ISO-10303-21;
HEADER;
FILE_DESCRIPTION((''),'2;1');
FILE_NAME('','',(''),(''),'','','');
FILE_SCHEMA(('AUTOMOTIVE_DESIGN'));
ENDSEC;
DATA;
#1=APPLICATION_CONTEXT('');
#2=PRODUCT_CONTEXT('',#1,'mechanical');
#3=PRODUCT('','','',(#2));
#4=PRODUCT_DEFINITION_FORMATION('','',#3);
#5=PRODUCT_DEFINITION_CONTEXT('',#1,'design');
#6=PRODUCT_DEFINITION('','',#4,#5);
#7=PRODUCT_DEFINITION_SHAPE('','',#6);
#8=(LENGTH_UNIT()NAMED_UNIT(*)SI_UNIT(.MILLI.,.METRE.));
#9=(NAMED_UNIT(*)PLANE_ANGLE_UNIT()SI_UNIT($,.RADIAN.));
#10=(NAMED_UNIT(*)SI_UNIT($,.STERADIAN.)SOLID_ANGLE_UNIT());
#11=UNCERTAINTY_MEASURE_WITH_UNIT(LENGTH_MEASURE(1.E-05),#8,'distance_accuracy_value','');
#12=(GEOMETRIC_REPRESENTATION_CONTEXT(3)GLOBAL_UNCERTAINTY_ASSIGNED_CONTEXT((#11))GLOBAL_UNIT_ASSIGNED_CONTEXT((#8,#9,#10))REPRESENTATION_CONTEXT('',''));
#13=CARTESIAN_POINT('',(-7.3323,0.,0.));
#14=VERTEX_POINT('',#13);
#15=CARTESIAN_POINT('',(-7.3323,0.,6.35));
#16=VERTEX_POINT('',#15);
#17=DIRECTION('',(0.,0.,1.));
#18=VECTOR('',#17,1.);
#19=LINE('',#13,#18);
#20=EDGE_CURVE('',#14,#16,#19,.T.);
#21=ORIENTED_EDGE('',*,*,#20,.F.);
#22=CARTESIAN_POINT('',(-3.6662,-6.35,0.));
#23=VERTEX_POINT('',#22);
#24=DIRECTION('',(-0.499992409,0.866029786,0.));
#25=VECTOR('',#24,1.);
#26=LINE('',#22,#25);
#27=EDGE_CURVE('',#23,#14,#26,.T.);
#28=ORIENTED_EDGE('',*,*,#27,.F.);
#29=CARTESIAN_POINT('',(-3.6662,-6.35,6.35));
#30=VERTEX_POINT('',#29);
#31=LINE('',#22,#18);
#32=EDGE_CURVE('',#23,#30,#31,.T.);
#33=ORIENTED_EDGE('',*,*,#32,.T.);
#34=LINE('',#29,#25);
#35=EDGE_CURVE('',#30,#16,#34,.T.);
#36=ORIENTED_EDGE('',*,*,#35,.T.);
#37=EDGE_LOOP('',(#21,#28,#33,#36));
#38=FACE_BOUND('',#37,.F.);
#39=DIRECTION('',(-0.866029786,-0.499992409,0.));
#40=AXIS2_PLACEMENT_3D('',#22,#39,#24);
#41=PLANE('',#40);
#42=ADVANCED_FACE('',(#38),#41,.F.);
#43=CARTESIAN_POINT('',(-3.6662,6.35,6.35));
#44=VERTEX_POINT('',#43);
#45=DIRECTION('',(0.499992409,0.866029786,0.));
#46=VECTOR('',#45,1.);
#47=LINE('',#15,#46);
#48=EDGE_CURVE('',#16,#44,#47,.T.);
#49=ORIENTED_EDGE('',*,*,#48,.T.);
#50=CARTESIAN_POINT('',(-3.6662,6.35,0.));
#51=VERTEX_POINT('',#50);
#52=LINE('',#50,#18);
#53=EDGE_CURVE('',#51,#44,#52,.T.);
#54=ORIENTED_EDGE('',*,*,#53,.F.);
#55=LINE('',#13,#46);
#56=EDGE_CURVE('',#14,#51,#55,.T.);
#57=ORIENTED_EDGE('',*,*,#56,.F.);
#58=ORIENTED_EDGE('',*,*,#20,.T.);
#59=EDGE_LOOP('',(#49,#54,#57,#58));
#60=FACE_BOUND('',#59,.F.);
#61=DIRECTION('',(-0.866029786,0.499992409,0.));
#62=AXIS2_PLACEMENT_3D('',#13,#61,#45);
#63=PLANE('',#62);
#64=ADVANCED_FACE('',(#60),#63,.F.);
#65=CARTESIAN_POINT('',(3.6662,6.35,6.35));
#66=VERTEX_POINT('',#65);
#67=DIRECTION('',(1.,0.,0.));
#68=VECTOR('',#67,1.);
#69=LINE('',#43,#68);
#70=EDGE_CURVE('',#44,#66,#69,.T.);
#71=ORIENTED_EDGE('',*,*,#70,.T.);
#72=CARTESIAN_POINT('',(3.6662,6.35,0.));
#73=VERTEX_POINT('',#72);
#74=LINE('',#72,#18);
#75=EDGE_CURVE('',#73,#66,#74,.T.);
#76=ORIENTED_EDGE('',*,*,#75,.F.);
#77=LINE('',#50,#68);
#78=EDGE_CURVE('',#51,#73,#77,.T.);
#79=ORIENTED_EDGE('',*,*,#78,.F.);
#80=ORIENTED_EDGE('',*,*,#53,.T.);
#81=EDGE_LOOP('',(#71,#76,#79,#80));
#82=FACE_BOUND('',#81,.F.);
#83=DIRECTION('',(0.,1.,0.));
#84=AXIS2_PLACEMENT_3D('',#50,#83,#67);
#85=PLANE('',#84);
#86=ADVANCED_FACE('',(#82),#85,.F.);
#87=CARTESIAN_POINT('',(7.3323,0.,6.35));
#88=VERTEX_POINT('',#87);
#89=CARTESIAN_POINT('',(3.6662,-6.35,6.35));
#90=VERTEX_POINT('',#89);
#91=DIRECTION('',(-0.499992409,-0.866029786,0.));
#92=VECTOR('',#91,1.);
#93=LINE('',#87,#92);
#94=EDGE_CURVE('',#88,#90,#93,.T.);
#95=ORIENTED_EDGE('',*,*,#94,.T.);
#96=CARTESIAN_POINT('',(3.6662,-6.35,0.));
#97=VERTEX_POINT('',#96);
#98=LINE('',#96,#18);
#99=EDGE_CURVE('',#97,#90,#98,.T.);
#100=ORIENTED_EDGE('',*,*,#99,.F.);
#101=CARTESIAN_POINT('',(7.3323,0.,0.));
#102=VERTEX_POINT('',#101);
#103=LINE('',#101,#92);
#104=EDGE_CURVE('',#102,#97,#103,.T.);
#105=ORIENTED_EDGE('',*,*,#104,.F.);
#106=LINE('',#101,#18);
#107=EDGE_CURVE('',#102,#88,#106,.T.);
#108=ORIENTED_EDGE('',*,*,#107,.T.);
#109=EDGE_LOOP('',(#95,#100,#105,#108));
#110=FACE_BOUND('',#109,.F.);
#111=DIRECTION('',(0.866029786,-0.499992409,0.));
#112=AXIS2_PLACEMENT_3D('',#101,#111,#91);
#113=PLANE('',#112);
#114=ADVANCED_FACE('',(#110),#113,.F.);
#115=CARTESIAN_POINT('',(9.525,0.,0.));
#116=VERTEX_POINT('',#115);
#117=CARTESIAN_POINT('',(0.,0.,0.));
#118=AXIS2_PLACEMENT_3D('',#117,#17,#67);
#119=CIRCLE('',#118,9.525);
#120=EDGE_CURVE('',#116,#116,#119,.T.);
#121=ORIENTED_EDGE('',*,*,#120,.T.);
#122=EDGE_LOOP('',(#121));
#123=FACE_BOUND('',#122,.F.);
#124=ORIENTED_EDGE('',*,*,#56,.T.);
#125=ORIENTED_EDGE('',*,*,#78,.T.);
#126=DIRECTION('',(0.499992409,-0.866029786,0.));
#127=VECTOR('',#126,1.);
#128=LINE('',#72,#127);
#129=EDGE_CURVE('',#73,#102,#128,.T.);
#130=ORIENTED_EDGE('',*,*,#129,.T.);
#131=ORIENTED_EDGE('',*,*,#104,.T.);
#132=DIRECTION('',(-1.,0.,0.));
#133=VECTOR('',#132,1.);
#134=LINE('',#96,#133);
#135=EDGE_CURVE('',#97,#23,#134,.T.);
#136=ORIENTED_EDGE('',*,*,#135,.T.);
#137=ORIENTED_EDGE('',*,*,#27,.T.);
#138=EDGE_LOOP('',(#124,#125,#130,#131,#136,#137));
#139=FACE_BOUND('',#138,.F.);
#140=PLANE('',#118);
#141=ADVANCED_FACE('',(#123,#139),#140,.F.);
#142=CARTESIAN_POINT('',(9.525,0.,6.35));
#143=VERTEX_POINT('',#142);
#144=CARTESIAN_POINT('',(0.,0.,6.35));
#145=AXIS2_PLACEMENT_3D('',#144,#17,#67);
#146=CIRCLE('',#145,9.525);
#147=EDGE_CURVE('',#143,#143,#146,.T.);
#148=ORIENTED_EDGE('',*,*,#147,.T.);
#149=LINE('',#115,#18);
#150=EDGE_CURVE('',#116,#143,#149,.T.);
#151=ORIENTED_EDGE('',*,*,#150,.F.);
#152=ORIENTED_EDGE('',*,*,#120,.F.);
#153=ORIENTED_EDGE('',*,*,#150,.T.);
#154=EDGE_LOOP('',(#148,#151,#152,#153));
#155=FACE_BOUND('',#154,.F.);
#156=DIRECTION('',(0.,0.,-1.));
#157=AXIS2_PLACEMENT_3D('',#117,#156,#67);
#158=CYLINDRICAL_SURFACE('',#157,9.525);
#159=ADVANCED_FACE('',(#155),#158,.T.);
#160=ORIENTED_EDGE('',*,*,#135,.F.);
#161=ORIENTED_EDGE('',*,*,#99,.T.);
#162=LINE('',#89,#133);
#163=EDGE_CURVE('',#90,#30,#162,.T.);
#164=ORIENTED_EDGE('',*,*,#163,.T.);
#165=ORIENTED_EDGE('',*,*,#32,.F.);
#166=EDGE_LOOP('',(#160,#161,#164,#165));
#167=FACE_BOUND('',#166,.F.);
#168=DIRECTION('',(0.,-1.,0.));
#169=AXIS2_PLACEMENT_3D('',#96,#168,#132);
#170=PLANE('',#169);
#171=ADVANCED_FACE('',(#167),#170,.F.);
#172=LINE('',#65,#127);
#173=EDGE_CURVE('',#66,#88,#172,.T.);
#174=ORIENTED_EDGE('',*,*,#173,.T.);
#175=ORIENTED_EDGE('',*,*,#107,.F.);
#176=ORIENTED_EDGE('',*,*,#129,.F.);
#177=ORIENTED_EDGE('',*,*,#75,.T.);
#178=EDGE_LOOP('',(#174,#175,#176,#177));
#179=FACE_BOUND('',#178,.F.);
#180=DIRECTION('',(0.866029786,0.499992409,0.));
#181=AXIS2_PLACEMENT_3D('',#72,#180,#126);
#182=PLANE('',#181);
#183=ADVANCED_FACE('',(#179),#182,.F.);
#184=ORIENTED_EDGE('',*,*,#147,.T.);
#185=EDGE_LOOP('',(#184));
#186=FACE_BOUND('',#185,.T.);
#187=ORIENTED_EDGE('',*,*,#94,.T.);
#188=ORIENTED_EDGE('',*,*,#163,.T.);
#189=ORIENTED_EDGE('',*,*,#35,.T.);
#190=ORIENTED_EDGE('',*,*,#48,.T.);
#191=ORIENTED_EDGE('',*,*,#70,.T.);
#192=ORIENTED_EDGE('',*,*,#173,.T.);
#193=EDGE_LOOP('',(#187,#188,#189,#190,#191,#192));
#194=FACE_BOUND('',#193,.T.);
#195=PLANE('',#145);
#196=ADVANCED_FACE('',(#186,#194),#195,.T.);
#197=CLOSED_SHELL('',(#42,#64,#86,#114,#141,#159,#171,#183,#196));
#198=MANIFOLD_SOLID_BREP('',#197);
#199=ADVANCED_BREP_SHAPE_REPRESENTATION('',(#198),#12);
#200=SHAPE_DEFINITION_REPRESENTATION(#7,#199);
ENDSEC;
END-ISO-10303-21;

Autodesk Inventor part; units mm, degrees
ref_plane "YZ Plane" through (0, 0, 0) normal (1, 0, 0) x (0, 1, 0)
ref_plane "XZ Plane" through (0, 0, 0) normal (0, 1, 0) x (-1, 0, 0)
ref_plane "XY Plane" through (0, 0, 0) normal (0, 0, 1) x (1, 0, 0)
sketch "Sketch1" plane through (0, 0, 0) normal (0, 0, 1) x (1, 0, 0)
  circle A0 centre (0, 0) radius 9.525
  line L0 (7.3323, 0) -> (3.6662, -6.35)
  line L1 (3.6662, -6.35) -> (-3.6662, -6.35)
  line L2 (-3.6662, -6.35) -> (-7.3323, 0)
  line L3 (-7.3323, 0) -> (-3.6662, 6.35)
  line L4 (-3.6662, 6.35) -> (3.6662, 6.35)
  line L5 (3.6662, 6.35) -> (7.3323, 0)
  dimension "d0" = 19.05
  dimension "d1" = 12.7
extrude "Extrusion1" add sketch "Sketch1" along normal blind 6.35
properties part number "ARM_026_.25inHexSpacer" material "ABS Plastic"
